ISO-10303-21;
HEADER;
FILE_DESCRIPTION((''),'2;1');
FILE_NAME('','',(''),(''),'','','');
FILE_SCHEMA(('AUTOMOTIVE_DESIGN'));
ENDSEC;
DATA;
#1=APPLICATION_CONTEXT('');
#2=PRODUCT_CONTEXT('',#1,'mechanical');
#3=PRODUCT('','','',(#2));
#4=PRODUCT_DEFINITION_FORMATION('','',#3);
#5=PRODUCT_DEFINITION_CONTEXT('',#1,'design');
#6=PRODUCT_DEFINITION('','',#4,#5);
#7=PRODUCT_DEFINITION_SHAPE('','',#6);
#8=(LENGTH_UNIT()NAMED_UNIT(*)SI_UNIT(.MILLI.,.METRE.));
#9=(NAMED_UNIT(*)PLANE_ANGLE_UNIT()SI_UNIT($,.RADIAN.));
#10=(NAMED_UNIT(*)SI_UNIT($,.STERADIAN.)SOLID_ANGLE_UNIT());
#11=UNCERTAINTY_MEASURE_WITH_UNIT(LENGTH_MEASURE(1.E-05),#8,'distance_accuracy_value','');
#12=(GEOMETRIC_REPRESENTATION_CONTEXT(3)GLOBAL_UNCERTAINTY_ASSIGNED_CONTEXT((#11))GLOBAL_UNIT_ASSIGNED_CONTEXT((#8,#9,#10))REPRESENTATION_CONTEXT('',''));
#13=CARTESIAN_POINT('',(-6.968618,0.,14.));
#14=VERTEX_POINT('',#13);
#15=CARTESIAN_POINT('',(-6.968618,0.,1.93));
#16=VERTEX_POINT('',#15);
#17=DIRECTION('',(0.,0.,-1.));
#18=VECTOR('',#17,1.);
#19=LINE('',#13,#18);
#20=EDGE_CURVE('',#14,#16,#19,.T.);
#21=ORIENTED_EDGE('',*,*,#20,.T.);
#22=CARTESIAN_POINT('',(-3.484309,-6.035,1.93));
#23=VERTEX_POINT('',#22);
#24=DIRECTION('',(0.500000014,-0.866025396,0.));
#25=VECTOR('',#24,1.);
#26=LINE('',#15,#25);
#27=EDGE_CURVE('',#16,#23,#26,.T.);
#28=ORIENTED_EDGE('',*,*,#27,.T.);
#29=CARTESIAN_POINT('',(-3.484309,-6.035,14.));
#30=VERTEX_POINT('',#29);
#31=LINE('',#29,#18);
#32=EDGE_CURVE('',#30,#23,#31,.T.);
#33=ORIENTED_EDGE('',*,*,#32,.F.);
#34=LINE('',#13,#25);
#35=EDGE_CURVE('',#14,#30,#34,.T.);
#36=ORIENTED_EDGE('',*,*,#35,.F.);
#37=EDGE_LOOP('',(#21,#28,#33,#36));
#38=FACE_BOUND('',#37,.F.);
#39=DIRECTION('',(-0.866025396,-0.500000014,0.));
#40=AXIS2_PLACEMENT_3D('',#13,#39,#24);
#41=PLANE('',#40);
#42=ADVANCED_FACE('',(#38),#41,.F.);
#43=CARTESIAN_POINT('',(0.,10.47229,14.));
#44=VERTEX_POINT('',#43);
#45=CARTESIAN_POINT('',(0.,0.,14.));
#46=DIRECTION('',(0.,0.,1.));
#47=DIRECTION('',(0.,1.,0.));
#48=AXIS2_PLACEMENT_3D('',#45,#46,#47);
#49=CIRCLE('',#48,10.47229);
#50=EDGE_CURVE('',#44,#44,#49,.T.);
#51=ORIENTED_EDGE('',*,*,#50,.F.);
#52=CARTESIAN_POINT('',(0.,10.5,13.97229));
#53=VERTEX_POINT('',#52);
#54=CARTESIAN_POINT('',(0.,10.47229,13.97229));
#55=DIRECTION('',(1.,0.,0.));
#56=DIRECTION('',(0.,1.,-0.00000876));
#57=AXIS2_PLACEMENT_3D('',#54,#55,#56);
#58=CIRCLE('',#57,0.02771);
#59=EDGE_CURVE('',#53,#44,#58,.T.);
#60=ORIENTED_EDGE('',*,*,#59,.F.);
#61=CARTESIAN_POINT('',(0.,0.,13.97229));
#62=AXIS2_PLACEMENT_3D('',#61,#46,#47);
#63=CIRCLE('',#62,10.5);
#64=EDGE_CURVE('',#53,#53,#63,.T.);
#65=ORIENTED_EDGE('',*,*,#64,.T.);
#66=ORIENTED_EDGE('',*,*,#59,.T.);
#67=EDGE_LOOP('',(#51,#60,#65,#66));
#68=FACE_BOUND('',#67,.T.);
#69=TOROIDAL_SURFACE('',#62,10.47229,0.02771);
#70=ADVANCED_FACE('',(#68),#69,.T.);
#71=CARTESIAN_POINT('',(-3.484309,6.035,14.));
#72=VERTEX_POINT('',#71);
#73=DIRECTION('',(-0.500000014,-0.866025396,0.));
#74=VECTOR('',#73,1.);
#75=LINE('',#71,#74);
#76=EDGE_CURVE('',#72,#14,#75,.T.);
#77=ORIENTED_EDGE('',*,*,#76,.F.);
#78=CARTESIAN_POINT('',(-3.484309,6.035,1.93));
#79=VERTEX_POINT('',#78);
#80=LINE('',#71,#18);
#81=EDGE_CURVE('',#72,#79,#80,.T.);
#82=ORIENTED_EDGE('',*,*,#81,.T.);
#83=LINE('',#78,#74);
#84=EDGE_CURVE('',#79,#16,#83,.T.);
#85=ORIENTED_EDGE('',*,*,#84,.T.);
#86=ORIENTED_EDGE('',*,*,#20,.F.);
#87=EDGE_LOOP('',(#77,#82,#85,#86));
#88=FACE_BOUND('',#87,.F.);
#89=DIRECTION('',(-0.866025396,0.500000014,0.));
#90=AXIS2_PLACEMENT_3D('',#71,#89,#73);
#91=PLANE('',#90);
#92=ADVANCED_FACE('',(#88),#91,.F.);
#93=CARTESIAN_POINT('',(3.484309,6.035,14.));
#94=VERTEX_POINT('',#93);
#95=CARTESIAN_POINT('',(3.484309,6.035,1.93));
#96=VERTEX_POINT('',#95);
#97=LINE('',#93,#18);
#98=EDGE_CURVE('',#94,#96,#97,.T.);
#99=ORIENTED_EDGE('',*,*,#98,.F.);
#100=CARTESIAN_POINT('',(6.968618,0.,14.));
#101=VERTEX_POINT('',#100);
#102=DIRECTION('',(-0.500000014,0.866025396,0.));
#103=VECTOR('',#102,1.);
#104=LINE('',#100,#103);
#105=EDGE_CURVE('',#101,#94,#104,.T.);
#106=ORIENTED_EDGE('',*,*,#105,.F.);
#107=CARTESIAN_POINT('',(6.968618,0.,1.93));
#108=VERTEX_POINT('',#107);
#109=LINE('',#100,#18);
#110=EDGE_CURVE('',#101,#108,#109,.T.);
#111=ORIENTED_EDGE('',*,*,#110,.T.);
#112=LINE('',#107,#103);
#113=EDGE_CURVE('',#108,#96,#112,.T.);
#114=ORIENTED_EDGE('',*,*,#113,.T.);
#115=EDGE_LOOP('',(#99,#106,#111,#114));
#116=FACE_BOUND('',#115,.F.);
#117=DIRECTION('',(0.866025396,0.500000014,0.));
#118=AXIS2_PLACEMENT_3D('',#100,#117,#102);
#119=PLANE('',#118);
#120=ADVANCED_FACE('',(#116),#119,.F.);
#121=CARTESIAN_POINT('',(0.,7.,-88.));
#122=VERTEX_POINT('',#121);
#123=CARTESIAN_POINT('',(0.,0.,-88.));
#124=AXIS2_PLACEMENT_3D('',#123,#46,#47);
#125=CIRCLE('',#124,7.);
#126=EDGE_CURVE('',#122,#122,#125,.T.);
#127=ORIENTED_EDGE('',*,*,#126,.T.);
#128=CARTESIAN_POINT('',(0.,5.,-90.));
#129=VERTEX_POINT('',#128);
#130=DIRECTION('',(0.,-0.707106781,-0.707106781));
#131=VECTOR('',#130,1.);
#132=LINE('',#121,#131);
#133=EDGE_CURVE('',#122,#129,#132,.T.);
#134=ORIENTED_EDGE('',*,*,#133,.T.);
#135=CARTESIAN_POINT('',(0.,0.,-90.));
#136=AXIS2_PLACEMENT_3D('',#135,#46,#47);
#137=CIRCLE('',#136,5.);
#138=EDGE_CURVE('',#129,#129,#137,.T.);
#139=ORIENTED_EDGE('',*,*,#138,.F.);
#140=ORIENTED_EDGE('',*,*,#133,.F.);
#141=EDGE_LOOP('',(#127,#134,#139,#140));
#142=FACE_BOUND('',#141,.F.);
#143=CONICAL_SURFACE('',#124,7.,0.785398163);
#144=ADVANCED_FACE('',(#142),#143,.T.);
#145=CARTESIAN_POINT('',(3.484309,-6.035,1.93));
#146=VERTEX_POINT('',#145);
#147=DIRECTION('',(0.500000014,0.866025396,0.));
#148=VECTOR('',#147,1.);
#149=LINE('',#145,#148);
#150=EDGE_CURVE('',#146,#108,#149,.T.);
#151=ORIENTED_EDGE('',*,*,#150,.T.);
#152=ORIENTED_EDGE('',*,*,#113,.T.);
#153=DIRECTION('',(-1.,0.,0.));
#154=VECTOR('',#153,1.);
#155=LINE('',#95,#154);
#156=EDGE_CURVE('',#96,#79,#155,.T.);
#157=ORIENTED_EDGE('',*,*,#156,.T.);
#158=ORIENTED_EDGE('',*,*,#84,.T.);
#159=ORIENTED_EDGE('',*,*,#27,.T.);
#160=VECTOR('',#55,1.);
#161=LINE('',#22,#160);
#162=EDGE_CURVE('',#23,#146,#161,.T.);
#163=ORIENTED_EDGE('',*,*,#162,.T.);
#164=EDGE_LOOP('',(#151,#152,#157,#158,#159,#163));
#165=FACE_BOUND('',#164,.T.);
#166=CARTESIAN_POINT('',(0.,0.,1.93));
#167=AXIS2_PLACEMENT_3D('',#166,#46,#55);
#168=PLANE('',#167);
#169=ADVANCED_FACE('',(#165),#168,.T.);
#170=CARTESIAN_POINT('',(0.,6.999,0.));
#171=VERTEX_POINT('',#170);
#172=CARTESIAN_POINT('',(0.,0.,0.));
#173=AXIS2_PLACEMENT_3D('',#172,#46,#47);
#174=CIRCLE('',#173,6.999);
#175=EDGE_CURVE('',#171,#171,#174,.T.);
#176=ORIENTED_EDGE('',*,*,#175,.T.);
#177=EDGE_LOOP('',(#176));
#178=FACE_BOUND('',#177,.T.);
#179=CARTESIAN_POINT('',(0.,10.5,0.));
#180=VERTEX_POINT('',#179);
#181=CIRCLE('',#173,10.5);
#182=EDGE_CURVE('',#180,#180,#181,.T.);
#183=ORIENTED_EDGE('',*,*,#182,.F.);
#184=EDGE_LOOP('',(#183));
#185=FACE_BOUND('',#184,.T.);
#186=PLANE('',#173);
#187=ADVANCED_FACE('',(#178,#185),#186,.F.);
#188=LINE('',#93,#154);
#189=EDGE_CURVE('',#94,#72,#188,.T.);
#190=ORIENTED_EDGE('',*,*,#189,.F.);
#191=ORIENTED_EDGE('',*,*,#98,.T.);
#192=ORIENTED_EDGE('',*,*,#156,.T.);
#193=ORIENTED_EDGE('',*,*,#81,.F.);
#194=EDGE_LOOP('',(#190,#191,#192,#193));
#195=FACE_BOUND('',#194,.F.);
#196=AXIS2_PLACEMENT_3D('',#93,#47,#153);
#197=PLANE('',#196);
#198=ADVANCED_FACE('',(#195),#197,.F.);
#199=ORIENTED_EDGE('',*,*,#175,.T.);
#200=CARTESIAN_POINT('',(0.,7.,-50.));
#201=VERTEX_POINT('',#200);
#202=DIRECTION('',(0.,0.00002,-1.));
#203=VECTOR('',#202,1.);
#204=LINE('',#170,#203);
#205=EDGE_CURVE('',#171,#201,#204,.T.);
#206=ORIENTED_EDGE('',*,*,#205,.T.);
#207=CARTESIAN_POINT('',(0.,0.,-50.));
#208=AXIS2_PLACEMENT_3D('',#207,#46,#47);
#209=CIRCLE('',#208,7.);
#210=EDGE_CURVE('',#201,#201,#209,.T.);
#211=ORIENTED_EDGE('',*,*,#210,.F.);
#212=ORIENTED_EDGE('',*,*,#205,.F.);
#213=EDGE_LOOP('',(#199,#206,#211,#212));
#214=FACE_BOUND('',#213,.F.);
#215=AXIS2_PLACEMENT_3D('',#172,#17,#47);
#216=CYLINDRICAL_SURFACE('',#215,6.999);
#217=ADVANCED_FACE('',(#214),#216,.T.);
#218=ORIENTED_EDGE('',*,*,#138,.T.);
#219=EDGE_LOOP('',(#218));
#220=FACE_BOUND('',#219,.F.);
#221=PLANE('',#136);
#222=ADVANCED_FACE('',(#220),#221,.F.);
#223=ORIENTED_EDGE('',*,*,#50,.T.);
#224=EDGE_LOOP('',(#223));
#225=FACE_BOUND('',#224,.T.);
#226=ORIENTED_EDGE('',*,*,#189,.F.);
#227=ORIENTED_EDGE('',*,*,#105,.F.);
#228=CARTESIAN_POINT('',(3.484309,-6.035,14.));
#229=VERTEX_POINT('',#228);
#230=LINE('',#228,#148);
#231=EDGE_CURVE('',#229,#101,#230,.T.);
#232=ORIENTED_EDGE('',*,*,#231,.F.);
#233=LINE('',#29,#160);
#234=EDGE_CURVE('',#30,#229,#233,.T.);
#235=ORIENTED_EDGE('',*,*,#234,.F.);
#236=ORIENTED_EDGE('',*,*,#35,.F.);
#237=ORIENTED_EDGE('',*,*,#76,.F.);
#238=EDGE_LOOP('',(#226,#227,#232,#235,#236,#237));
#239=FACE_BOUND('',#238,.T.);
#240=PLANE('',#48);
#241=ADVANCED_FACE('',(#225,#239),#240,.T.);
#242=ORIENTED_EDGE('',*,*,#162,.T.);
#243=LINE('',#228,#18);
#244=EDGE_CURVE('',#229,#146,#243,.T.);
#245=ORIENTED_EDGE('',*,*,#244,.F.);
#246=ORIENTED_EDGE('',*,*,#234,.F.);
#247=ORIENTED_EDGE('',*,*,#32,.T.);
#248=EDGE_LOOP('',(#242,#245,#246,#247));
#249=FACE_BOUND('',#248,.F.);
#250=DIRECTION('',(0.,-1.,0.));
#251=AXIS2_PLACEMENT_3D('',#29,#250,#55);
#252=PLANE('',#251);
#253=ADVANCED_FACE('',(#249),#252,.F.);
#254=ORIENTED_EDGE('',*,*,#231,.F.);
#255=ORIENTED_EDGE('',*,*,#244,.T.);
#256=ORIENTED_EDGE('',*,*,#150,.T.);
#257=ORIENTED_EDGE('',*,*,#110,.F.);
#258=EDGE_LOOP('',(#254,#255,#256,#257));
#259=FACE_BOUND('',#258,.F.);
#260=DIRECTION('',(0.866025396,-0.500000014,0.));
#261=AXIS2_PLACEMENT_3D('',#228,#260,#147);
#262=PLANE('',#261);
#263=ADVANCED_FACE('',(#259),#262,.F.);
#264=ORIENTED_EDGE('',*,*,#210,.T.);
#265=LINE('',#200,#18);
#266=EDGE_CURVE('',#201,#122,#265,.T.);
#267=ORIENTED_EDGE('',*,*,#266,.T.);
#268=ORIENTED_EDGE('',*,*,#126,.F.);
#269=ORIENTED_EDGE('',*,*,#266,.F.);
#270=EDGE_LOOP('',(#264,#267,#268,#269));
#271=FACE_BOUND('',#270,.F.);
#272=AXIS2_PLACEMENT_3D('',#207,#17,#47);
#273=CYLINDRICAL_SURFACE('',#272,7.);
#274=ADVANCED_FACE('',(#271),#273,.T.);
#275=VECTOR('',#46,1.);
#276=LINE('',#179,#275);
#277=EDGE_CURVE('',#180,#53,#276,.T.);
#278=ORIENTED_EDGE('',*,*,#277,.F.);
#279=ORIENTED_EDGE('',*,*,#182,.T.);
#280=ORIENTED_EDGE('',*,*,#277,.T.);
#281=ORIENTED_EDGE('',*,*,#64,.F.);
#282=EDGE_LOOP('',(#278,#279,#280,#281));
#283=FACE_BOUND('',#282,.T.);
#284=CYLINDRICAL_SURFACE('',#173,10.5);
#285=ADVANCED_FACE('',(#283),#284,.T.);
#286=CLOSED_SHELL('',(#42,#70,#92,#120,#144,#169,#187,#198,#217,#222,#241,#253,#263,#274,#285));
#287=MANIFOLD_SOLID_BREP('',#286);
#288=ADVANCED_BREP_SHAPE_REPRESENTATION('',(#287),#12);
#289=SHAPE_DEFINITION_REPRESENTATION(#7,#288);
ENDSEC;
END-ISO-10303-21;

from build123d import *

# Parameters (mm, degrees)
POCKET_DEPTH = 12.07


with BuildPart() as part:
    # Sketch → Revolve (revolve)
    with BuildSketch(Plane.YZ):
        with BuildLine():
            Line((6.999, 0), (10.5, 0))
            Line((10.5, 0), (10.5, 13.97229))
            ThreePointArc((10.5, 13.97229), (10.491884, 13.991884), (10.47229, 14))
            Line((10.47229, 14), (0, 14))
            Line((0, -90), (0, 14))
            Line((5, -90), (0, -90))
            Line((7, -88), (5, -90))
            Line((7, -50), (7, -88))
            Line((6.999, 0), (7, -50))
        make_face()
    revolve(axis=Axis((0, 0, 0), (0, 0, 1)))

    # Sketch001 → Pocket (cut)
    with BuildSketch(Plane.XY.offset(14)):
        Polygon((6.968618, 0), (3.484309, 6.035), (-3.484309, 6.035), (-6.968618, 0), (-3.484309, -6.035), (3.484309, -6.035), align=None)
    extrude(amount=-POCKET_DEPTH, mode=Mode.SUBTRACT)


solid = part.part
